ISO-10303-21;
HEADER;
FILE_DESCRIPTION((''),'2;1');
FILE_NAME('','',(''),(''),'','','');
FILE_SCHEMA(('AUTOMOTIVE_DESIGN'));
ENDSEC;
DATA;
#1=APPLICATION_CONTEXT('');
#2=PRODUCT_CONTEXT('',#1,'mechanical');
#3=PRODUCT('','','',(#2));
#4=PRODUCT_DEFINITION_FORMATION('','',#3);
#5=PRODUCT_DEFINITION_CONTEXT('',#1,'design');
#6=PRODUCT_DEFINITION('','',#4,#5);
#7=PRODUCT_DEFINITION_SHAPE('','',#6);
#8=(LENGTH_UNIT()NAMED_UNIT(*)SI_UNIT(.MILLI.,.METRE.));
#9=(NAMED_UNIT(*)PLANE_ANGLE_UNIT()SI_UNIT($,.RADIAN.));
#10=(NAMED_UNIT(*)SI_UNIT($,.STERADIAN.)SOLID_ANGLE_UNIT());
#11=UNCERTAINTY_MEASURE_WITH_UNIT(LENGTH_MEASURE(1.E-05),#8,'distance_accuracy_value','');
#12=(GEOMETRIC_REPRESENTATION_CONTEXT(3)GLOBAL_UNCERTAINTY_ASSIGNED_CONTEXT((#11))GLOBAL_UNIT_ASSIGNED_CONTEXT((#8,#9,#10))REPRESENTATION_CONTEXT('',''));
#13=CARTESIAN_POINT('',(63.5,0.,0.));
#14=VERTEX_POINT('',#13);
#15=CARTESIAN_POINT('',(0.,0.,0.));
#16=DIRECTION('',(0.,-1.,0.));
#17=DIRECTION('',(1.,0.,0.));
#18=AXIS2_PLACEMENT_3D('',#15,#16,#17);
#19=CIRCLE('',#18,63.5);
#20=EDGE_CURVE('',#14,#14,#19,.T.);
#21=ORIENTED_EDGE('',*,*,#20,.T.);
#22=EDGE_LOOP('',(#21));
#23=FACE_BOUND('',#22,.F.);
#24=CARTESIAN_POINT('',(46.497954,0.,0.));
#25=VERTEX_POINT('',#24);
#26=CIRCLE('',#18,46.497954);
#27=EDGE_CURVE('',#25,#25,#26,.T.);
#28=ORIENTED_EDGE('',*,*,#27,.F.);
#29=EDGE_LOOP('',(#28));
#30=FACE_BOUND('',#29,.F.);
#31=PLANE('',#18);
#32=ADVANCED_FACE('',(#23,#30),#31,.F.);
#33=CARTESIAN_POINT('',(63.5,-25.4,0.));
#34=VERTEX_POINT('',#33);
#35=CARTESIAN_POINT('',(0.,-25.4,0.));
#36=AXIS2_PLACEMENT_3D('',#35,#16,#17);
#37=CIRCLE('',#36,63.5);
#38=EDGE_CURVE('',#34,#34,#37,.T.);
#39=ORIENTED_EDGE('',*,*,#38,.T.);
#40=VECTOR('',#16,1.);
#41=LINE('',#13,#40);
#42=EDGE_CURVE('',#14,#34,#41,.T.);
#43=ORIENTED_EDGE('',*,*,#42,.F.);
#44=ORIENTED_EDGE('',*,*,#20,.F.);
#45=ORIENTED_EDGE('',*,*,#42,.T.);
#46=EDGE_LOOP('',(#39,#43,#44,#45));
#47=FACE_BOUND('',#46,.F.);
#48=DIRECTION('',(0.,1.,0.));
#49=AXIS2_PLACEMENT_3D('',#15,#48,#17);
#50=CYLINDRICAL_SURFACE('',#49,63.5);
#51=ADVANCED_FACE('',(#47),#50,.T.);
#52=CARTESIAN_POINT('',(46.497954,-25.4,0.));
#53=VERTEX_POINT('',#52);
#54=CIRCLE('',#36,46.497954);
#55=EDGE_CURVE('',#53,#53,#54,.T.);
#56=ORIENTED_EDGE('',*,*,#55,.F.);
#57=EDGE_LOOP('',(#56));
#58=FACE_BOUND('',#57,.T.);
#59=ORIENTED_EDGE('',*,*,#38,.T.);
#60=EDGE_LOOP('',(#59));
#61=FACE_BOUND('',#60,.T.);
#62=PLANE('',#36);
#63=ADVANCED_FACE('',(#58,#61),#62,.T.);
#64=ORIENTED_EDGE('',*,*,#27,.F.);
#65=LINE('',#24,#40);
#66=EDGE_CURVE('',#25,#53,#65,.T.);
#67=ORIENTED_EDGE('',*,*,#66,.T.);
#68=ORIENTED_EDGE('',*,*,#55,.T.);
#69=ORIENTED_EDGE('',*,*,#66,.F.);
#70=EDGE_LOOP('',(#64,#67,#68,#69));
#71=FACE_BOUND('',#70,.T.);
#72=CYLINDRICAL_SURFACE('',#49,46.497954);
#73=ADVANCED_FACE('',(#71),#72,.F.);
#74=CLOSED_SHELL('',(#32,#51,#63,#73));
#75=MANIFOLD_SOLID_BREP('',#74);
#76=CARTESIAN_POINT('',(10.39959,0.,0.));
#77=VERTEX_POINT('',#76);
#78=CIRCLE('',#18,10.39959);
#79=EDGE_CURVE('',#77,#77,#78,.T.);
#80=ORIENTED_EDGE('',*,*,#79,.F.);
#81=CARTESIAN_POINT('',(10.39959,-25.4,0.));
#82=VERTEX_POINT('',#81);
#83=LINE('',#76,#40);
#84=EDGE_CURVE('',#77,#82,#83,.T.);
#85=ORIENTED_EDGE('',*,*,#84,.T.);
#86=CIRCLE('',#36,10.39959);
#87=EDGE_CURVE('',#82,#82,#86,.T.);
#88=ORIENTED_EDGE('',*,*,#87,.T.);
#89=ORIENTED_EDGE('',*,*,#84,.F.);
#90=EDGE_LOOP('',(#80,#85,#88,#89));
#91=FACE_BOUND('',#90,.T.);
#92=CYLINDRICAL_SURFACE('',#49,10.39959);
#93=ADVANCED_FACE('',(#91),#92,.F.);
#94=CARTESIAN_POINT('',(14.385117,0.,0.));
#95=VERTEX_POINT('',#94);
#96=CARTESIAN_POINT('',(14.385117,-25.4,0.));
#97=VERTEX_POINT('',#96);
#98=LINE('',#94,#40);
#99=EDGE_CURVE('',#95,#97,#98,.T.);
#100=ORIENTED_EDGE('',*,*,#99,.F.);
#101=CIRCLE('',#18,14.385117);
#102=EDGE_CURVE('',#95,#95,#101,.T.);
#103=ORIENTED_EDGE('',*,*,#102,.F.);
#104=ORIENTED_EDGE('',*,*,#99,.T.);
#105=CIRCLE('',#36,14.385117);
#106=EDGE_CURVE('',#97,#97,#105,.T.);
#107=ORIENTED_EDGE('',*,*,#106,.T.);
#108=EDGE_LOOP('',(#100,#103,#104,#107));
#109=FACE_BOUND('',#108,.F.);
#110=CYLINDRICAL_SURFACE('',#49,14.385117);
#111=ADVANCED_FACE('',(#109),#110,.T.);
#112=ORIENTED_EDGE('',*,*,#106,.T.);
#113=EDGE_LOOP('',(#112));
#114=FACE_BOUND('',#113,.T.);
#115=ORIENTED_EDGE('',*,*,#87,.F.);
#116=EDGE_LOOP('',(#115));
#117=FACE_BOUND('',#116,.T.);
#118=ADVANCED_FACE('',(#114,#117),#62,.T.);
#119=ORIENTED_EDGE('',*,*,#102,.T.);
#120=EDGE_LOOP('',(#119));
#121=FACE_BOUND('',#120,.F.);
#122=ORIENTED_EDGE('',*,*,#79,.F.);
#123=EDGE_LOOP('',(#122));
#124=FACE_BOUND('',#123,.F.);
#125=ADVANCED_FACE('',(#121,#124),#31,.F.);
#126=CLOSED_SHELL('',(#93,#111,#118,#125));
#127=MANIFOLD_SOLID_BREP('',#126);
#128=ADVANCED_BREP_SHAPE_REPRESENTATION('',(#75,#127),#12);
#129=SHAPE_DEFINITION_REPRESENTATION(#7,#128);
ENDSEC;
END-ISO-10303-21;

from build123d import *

# Parameters (mm, degrees)
F0_R     = 63.5
F0_R_2   = 46.497954
F1_DEPTH = 25.4
F2_R     = 14.385117
F2_R_2   = 10.39959
F3_DEPTH = 25.4


with BuildPart() as f1:
    # F0 (on Front) → F1 (new body)
    with BuildSketch(Plane.XZ):
        Circle(F0_R)
        Circle(F0_R_2, mode=Mode.SUBTRACT)
    extrude(amount=F1_DEPTH)


with BuildPart() as f3:
    # F2 (on Front) → F3 (new body)
    with BuildSketch(Plane.XZ):
        Circle(F2_R)
        Circle(F2_R_2, mode=Mode.SUBTRACT)
    extrude(amount=F3_DEPTH)


solid = Compound([f1.part, f3.part])
